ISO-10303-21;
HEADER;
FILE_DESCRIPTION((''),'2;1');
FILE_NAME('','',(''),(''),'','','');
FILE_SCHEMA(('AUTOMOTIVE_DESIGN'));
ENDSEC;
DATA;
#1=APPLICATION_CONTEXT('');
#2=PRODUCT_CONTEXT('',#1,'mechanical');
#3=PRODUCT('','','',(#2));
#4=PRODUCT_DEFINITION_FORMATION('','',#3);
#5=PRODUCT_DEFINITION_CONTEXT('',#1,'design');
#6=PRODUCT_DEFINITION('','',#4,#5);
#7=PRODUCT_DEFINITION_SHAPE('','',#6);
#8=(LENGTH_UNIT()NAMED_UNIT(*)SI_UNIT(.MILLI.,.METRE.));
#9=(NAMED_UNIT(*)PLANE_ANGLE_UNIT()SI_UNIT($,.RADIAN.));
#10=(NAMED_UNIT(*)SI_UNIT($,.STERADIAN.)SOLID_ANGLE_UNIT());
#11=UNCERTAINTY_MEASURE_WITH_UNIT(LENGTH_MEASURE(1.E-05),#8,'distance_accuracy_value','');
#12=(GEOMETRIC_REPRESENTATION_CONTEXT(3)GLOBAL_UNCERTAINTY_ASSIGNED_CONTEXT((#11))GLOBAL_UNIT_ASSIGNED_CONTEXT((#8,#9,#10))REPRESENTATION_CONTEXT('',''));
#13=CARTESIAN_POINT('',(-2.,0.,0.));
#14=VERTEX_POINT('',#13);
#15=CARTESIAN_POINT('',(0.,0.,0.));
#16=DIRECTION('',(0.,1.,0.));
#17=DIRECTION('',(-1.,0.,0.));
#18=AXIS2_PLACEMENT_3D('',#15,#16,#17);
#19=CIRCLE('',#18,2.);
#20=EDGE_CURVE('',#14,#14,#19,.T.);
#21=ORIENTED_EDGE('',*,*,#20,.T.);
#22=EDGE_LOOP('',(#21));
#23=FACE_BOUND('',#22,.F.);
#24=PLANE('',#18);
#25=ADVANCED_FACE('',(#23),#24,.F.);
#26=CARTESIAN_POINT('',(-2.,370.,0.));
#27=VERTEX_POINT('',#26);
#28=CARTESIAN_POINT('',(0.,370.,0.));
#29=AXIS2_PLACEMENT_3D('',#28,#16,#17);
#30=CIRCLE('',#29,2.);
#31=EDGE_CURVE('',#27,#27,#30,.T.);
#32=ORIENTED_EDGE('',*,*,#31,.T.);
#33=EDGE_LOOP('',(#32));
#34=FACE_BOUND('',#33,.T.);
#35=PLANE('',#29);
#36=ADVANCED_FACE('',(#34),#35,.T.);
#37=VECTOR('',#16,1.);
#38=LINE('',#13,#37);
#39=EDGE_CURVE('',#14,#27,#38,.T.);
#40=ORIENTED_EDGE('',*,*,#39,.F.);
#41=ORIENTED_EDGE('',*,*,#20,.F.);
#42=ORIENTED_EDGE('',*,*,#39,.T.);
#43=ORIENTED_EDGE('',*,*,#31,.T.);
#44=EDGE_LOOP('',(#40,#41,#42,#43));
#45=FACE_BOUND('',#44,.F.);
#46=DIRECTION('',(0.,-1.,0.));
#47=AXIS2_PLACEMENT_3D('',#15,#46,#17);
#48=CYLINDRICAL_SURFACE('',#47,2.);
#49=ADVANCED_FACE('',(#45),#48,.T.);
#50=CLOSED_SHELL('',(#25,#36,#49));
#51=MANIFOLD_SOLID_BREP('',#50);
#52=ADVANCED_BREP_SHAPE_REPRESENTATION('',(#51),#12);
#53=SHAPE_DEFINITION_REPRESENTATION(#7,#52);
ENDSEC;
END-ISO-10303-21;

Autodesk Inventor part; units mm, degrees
ref_plane "YZ Plane" through (0, 0, 0) normal (1, 0, 0) x (0, 1, 0)
ref_plane "XZ Plane" through (0, 0, 0) normal (0, 1, 0) x (-1, 0, 0)
ref_plane "XY Plane" through (0, 0, 0) normal (0, 0, 1) x (1, 0, 0)
sketch "Sketch1" plane through (0, 0, 0) normal (0, 1, 0) x (-1, 0, 0)
  circle A0 centre (0, 0) radius 2
  dimension "d0" = 4
extrude "Extrusion1" add sketch "Sketch1" along normal blind 370
properties part number "holding rod"
